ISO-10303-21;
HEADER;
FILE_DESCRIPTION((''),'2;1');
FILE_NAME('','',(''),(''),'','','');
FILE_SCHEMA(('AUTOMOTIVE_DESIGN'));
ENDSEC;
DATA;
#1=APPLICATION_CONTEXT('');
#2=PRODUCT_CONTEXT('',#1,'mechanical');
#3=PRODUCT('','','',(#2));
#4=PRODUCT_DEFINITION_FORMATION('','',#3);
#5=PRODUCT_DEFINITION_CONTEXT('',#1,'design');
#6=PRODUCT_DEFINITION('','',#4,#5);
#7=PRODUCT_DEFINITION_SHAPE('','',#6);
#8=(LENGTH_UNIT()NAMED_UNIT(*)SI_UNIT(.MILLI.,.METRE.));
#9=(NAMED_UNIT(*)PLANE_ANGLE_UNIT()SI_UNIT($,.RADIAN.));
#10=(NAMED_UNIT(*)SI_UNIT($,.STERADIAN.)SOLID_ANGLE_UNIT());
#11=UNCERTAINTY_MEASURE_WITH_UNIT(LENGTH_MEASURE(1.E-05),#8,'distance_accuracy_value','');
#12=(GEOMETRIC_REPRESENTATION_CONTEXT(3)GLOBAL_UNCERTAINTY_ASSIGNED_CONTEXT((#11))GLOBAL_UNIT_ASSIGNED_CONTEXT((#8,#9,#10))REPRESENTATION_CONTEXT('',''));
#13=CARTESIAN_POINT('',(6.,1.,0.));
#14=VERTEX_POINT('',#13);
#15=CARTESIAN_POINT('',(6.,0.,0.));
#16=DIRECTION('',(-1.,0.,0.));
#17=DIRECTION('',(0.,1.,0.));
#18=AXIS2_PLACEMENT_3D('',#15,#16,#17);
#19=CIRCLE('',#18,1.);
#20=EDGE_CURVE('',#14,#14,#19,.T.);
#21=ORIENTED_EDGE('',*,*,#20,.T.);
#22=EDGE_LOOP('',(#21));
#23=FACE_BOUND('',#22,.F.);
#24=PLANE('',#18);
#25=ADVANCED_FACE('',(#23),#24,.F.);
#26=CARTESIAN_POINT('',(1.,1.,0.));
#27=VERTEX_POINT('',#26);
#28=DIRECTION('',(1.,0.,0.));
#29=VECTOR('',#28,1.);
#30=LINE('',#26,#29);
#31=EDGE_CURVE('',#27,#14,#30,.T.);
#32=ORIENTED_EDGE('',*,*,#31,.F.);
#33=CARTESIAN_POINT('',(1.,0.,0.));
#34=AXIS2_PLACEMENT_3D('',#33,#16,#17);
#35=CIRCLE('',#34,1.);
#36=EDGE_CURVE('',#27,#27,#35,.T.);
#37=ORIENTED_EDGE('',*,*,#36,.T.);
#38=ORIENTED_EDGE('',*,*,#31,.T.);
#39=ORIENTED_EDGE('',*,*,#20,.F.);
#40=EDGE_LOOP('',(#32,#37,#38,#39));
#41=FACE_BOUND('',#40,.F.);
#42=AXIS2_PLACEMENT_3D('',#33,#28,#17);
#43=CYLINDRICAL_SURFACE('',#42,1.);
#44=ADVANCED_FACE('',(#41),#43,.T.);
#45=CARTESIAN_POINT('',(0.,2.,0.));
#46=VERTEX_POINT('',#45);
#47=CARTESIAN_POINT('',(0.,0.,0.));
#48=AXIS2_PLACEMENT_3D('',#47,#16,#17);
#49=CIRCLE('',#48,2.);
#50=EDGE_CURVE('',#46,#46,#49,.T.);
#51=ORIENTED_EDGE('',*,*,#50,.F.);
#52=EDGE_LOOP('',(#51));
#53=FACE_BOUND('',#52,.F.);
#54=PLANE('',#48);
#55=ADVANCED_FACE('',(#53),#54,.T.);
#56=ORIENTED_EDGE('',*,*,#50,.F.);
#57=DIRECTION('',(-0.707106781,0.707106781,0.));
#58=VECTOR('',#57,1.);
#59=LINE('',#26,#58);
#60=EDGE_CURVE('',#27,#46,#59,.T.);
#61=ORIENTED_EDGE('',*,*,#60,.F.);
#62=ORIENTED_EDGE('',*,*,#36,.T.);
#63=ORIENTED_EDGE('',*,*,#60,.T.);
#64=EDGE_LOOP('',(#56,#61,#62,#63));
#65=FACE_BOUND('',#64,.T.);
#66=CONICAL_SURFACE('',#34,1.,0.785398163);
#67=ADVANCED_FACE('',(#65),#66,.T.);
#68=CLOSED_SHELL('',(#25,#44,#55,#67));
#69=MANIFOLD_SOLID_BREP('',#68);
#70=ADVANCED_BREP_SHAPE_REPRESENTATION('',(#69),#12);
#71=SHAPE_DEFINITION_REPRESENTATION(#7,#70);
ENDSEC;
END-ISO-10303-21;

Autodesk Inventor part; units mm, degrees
ref_plane "YZ Plane" through (0, 0, 0) normal (1, 0, 0) x (0, 1, 0)
ref_plane "XZ Plane" through (0, 0, 0) normal (0, 1, 0) x (-1, 0, 0)
ref_plane "XY Plane" through (0, 0, 0) normal (0, 0, 1) x (1, 0, 0)
sketch "スケッチ1" plane through (0, 0, 0) normal (0, 0, 1) x (1, 0, 0)
  line L0 (0, 0) -> (0, 2)
  line L1 (1, 1) -> (6, 1)
  line L2 (6, 1) -> (6, 0)
  line L3 (6, 0) -> (0, 0)
  line L4 (1, 1) -> (0, 2)
  dimension "d3" = 1
  dimension "d5" = 2
  dimension "d6" = 6
  dimension "d7" = 1
revolve "回転1" add sketch "スケッチ1" angle 360 about axis through (6, 0, 0) along (-1, 0, 0)
properties part number "Parts_FlatScrew_M2_L6" material "鋼"
